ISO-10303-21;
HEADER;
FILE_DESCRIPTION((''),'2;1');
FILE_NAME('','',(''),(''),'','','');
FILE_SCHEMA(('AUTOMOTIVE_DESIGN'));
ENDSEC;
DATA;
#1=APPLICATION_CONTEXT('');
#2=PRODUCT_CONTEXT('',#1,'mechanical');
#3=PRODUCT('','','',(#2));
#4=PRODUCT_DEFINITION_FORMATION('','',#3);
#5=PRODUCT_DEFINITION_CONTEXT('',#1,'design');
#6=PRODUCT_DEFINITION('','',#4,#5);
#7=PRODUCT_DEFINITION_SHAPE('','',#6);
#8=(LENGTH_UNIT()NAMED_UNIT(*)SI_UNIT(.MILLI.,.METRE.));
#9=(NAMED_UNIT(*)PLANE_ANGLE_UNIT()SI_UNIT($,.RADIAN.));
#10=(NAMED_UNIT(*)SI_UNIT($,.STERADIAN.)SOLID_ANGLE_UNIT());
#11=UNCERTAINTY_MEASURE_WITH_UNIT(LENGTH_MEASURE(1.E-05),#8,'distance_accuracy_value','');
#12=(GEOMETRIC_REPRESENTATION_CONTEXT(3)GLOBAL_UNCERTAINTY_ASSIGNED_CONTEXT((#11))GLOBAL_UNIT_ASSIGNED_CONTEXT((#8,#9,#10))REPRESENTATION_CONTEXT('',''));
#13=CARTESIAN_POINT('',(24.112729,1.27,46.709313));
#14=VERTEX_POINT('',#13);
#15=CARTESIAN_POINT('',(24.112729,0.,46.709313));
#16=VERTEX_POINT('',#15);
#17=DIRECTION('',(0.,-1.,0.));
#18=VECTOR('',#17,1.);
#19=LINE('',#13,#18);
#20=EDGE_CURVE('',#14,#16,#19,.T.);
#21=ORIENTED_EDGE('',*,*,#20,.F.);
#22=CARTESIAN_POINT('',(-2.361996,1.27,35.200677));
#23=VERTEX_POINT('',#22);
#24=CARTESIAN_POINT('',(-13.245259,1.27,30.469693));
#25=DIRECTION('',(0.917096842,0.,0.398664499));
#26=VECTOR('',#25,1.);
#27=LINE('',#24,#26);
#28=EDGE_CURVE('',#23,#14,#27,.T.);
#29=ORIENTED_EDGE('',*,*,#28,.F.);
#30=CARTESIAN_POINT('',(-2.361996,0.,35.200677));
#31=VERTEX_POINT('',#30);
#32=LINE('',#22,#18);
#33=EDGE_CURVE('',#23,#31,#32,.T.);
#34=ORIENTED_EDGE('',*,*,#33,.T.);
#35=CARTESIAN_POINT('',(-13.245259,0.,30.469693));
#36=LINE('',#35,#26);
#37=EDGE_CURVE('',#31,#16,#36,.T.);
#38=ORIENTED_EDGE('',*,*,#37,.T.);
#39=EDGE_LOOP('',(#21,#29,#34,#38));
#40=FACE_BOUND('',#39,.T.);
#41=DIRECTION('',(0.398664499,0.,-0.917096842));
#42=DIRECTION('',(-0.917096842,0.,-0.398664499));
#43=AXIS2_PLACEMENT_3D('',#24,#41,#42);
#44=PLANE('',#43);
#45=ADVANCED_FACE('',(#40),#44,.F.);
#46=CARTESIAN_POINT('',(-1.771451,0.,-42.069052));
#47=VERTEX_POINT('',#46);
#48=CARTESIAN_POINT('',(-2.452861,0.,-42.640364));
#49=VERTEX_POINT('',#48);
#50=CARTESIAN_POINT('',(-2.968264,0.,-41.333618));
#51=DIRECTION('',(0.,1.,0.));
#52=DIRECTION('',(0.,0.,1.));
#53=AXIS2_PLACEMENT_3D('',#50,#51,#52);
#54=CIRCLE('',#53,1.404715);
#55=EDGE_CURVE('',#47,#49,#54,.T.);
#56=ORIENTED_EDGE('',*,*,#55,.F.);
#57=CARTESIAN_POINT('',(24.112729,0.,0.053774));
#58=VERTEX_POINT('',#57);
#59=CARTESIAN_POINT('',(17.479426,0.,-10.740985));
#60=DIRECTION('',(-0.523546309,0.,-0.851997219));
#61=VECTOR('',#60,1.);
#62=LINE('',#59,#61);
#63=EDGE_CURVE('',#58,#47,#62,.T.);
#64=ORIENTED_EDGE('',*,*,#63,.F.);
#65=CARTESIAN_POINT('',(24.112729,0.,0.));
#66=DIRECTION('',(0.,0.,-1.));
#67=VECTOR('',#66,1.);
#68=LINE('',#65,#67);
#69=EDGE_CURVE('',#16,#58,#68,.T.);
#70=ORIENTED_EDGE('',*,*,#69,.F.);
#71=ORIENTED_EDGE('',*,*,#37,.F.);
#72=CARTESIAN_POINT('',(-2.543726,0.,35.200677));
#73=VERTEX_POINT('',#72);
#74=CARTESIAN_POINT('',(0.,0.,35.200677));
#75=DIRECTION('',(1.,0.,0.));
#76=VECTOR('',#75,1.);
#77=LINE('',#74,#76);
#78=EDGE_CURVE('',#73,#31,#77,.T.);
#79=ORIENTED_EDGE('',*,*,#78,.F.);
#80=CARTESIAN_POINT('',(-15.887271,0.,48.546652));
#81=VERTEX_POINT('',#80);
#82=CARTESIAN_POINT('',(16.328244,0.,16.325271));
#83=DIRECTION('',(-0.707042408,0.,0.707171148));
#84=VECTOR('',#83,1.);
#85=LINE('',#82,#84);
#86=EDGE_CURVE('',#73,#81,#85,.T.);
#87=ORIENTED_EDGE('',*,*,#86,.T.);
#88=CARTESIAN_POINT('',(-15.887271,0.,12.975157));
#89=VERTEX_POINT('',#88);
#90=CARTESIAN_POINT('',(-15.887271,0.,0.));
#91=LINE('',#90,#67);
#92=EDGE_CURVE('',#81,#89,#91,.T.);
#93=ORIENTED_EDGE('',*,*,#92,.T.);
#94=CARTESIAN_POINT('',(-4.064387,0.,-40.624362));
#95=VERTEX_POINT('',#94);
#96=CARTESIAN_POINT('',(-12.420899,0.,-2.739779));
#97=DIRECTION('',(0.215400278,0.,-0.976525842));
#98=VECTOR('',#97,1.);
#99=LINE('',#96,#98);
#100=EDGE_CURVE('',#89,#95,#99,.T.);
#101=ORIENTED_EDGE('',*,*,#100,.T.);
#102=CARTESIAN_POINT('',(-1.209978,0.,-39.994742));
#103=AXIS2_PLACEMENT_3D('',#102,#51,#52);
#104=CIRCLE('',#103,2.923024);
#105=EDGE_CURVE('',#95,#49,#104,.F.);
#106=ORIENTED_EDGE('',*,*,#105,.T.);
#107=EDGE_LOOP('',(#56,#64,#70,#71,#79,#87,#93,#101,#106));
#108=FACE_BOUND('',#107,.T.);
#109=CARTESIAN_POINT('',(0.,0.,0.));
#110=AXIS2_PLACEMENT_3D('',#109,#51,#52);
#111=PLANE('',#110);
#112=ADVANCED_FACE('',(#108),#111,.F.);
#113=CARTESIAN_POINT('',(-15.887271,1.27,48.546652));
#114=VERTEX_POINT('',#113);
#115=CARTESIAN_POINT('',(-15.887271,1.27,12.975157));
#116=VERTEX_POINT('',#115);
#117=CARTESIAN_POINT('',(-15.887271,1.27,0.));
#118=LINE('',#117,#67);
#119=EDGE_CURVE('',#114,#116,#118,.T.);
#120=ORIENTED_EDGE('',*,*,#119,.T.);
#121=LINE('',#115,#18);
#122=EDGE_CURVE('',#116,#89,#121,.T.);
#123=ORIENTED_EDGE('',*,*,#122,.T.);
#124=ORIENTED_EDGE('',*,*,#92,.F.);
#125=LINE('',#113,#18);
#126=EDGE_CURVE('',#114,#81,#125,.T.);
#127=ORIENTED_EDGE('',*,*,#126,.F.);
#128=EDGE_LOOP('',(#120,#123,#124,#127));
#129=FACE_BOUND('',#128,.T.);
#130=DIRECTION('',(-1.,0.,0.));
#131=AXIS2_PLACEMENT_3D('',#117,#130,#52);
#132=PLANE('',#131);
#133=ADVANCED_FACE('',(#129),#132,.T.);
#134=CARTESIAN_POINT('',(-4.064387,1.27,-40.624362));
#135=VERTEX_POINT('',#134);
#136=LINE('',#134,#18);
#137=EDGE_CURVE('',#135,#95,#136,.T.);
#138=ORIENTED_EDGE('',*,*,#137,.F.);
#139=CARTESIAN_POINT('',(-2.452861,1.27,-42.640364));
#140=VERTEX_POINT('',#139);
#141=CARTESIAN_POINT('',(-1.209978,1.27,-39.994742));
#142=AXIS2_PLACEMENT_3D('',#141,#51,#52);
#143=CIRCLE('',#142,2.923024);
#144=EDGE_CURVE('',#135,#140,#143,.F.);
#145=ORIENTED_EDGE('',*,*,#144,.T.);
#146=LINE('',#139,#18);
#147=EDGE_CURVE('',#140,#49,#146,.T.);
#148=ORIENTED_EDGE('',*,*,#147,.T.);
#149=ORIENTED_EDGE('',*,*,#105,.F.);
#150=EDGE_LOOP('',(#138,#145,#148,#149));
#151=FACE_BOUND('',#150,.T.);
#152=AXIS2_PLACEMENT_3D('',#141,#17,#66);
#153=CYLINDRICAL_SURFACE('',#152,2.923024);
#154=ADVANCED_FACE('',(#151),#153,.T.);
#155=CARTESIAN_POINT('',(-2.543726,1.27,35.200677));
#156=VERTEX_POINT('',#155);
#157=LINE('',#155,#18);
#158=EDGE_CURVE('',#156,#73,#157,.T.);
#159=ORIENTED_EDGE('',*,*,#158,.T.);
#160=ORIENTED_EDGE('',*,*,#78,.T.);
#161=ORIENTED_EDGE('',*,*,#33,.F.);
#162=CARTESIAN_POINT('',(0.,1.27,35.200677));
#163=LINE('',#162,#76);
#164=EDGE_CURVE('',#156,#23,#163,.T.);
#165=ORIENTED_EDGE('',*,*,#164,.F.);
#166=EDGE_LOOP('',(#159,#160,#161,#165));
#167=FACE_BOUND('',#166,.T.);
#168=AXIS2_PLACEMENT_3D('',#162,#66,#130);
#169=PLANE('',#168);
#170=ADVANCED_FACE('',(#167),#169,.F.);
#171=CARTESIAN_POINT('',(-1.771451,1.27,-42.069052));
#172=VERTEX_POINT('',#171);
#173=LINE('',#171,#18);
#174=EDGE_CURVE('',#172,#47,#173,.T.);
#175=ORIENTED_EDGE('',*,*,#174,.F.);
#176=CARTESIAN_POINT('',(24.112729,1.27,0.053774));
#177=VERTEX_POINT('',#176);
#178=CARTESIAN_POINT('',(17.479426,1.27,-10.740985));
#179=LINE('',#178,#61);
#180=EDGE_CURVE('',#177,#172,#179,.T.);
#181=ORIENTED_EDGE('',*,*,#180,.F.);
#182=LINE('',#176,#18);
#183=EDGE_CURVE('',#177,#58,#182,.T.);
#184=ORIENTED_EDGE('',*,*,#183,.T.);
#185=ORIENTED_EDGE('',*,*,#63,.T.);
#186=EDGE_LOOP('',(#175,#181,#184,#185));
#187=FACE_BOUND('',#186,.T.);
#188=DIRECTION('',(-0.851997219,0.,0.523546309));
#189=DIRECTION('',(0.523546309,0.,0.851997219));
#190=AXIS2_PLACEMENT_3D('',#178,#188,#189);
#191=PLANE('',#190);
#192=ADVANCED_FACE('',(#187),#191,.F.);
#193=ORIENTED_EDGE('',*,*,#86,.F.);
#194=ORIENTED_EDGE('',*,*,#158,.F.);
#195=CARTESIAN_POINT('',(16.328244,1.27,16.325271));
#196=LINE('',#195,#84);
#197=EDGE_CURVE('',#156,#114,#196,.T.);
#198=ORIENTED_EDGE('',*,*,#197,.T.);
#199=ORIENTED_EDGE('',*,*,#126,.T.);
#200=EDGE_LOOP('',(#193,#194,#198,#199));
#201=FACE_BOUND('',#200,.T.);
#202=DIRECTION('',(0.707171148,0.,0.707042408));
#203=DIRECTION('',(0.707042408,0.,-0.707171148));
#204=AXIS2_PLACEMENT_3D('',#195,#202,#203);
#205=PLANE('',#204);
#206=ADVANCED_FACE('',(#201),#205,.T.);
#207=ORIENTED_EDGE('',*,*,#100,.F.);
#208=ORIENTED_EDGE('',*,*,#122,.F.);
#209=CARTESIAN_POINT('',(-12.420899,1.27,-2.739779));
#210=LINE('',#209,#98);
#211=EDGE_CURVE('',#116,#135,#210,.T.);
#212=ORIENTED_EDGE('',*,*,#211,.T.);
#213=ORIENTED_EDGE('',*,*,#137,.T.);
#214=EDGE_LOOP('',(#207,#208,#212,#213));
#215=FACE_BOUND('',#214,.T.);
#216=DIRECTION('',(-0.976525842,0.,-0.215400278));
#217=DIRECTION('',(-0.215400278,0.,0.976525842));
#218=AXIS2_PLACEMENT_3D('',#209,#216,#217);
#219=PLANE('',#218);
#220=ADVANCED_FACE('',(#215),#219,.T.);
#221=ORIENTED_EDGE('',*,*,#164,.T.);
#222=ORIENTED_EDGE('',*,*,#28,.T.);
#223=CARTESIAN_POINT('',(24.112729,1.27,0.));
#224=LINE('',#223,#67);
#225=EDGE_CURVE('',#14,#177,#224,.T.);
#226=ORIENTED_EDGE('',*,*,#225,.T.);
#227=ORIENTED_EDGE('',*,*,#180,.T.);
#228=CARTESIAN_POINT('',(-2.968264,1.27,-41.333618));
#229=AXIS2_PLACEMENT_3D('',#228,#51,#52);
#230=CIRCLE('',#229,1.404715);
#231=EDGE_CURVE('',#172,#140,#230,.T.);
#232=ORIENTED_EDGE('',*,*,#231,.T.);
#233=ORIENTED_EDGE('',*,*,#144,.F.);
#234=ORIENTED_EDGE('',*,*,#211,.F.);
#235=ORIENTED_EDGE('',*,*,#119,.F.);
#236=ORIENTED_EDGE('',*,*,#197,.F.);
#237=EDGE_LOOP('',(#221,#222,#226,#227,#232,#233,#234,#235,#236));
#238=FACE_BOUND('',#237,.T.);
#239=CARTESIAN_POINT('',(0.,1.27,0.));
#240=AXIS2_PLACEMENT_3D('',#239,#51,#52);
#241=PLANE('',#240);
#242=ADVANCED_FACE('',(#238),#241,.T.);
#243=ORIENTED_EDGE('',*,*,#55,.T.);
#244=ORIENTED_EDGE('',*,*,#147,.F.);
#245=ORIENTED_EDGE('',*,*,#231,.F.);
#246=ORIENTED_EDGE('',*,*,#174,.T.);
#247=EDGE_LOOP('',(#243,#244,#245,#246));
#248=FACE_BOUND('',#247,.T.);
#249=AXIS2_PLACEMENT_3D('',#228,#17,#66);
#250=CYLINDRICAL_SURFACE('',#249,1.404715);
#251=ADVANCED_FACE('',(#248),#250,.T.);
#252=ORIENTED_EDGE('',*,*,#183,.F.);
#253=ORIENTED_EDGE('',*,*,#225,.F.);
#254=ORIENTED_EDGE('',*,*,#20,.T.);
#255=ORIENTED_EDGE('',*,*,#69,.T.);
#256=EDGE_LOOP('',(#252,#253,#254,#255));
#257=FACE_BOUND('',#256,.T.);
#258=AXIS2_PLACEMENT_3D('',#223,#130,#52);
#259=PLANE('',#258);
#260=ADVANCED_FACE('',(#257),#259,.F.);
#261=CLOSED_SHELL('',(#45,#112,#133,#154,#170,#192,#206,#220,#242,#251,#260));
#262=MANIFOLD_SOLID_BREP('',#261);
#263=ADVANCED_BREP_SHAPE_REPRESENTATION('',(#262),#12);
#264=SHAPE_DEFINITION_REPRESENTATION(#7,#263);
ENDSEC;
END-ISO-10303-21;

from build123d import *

# Parameters (mm, degrees)
BOSS_EXTRUDE1_DEPTH = 1.27


with BuildPart() as part:
    # Sketch2 → Boss-Extrude1 (new body)
    with BuildSketch(Plane(origin=(0, 0, 0), x_dir=(1, 0, 0), z_dir=(0, 1, 0))):
        with BuildLine():
            Line((-2.543725523, -35.200677289), (-15.887270656, -48.546652053))
            Line((-15.887270656, -48.546652053), (-15.887270656, -12.975156939))
            Line((-15.887270656, -12.975156939), (-4.064387109, 40.624362144))
            ThreePointArc((-4.064387109, 40.624362144), (-3.49318097, 41.819860184), (-2.452860743, 42.640363592))
            ThreePointArc((-2.452860743, 42.640363592), (-2.065756158, 42.410049072), (-1.771451049, 42.069051652))
            Line((-1.771451049, 42.069051652), (24.112729344, -0.05377363))
            Line((24.112729344, -0.05377363), (24.112729344, -46.70931259))
            Line((24.112729344, -46.70931259), (-2.361995962, -35.200677289))
            Line((-2.361995962, -35.200677289), (-2.543725523, -35.200677289))
        make_face()
    extrude(amount=BOSS_EXTRUDE1_DEPTH)


solid = part.part
